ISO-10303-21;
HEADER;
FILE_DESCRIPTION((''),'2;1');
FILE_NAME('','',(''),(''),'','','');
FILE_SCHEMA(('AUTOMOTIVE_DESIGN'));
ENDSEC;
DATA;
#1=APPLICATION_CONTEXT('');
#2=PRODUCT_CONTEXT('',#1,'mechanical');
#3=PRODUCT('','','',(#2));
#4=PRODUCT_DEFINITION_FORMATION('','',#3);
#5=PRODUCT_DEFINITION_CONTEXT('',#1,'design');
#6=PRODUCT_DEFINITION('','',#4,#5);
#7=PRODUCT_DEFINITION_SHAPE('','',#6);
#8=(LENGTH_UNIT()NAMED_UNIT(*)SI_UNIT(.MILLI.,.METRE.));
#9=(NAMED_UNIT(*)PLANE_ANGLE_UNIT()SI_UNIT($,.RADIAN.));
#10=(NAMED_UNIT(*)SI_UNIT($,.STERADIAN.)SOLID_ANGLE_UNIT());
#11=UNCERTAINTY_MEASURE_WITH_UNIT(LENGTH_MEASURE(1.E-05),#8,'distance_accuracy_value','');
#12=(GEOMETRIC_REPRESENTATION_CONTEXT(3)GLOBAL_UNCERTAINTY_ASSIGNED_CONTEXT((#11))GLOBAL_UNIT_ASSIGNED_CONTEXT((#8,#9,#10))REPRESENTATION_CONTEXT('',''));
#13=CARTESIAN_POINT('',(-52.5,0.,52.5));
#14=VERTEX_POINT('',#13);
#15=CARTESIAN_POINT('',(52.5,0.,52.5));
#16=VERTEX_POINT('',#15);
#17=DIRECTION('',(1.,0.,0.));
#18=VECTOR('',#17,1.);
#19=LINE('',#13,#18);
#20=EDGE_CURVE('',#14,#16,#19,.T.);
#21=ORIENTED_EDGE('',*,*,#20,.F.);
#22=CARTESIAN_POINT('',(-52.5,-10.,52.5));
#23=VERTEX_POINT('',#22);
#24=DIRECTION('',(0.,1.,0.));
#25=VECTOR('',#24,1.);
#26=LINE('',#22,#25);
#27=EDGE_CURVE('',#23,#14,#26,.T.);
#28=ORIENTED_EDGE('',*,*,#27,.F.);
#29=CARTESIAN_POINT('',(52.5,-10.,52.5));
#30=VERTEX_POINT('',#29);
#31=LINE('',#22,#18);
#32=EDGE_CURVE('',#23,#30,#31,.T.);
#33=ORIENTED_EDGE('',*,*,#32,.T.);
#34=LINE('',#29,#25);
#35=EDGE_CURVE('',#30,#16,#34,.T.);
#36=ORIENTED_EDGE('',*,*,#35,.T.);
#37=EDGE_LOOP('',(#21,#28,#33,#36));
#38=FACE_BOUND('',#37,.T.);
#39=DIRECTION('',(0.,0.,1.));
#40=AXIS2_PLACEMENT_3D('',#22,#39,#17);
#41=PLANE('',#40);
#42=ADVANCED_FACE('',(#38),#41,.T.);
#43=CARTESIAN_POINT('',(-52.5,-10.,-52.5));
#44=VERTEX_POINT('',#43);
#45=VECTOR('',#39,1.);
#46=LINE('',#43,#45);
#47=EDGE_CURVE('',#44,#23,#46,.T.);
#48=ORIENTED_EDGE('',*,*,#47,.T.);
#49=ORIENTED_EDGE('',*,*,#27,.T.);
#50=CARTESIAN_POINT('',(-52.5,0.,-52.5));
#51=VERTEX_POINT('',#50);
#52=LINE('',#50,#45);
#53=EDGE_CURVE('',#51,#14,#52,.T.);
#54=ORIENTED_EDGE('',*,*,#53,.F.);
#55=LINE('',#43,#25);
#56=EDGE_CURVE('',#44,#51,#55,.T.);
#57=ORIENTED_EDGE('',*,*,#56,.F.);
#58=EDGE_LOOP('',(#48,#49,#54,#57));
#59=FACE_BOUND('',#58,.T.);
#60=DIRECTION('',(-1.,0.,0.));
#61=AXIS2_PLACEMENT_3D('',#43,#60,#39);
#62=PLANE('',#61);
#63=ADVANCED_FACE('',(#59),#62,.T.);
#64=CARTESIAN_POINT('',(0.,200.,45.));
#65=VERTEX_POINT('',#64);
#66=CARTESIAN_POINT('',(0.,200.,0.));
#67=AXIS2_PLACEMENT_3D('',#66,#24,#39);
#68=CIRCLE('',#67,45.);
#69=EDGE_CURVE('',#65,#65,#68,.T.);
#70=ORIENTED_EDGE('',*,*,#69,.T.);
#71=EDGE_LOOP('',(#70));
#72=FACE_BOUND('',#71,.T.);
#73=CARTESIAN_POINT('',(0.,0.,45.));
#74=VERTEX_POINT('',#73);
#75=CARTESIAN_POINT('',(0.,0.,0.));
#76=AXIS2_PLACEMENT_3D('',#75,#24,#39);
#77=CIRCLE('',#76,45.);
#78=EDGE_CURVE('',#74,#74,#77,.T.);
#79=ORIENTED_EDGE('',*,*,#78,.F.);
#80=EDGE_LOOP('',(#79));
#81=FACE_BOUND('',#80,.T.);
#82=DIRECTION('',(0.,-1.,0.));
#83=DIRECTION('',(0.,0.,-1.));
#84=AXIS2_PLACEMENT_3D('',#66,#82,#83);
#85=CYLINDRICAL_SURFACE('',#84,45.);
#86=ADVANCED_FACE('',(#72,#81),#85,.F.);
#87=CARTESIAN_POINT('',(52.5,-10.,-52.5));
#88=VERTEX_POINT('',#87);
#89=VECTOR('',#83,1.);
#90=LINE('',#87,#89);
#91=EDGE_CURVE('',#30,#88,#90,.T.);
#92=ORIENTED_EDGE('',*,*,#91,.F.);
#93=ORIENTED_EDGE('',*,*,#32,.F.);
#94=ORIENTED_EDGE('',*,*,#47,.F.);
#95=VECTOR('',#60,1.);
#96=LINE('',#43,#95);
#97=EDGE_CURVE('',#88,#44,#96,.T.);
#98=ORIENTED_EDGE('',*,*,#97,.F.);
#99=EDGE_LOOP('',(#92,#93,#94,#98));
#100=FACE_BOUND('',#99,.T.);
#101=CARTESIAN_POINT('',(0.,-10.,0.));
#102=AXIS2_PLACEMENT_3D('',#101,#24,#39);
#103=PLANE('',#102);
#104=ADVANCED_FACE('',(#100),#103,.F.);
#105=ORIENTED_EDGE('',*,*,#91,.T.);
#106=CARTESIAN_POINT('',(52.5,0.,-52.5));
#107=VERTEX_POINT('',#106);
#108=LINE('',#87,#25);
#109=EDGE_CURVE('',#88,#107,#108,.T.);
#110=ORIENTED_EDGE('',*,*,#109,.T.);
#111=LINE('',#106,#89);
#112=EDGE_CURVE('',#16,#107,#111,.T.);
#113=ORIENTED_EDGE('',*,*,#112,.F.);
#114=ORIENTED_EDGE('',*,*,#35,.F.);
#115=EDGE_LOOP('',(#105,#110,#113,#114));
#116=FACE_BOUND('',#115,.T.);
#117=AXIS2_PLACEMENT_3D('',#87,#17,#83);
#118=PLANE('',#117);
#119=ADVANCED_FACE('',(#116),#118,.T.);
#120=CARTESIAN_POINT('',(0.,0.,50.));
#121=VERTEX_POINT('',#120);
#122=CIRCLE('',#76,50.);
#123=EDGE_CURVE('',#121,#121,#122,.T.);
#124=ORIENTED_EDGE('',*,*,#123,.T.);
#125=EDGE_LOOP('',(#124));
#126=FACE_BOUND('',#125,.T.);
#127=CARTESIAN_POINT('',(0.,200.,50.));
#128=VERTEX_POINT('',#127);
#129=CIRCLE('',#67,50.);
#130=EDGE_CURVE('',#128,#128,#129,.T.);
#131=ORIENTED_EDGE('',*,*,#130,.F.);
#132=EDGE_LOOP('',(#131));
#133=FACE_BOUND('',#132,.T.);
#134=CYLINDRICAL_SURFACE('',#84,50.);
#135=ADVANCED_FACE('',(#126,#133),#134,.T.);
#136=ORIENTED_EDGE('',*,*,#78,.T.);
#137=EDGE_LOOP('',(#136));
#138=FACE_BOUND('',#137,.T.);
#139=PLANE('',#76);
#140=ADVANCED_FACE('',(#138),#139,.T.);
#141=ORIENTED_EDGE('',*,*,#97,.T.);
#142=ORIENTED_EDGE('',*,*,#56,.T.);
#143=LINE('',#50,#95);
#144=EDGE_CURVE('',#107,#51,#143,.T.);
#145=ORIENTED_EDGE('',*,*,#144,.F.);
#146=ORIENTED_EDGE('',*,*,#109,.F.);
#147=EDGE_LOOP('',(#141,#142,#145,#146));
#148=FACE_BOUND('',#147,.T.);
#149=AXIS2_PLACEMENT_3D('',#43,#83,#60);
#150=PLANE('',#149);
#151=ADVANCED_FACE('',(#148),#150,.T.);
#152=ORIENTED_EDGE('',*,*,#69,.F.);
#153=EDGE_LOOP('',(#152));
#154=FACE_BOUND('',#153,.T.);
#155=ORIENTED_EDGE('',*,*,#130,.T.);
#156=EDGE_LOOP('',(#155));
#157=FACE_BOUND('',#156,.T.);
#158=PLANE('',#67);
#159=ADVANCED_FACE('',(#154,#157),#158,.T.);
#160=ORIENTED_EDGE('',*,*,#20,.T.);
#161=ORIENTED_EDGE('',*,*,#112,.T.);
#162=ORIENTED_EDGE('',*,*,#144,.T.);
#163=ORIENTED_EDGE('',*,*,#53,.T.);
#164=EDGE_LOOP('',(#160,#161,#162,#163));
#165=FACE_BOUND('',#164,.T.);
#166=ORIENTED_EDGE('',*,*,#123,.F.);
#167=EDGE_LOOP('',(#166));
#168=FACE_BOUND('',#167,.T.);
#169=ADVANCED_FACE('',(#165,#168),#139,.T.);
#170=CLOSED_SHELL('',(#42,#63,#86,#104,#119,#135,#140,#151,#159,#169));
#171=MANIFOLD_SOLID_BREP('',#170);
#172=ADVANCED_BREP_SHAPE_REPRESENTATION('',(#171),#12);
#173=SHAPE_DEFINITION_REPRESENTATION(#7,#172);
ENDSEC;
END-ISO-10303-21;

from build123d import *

# Parameters (mm, degrees)
SKETCH2_R           = 50
SKETCH2_R_2         = 45
BOSS_EXTRUDE3_DEPTH = 200
SKETCH4_W           = 105
SKETCH4_H           = 105
BOSS_EXTRUDE5_DEPTH = 10


with BuildPart() as part:
    # Sketch2 → Boss-Extrude3 (new body)
    with BuildSketch(Plane(origin=(0, 0, 0), x_dir=(1, 0, 0), z_dir=(0, 1, 0))):
        Circle(SKETCH2_R)
        Circle(SKETCH2_R_2, mode=Mode.SUBTRACT)
    extrude(amount=BOSS_EXTRUDE3_DEPTH)

    # Sketch4 → Boss-Extrude5 (add)
    with BuildSketch(Plane(origin=(0, 0, 0), x_dir=(1, 0, 0), z_dir=(0, 1, 0))):
        Rectangle(SKETCH4_W, SKETCH4_H)
    extrude(amount=-BOSS_EXTRUDE5_DEPTH)


solid = part.part
